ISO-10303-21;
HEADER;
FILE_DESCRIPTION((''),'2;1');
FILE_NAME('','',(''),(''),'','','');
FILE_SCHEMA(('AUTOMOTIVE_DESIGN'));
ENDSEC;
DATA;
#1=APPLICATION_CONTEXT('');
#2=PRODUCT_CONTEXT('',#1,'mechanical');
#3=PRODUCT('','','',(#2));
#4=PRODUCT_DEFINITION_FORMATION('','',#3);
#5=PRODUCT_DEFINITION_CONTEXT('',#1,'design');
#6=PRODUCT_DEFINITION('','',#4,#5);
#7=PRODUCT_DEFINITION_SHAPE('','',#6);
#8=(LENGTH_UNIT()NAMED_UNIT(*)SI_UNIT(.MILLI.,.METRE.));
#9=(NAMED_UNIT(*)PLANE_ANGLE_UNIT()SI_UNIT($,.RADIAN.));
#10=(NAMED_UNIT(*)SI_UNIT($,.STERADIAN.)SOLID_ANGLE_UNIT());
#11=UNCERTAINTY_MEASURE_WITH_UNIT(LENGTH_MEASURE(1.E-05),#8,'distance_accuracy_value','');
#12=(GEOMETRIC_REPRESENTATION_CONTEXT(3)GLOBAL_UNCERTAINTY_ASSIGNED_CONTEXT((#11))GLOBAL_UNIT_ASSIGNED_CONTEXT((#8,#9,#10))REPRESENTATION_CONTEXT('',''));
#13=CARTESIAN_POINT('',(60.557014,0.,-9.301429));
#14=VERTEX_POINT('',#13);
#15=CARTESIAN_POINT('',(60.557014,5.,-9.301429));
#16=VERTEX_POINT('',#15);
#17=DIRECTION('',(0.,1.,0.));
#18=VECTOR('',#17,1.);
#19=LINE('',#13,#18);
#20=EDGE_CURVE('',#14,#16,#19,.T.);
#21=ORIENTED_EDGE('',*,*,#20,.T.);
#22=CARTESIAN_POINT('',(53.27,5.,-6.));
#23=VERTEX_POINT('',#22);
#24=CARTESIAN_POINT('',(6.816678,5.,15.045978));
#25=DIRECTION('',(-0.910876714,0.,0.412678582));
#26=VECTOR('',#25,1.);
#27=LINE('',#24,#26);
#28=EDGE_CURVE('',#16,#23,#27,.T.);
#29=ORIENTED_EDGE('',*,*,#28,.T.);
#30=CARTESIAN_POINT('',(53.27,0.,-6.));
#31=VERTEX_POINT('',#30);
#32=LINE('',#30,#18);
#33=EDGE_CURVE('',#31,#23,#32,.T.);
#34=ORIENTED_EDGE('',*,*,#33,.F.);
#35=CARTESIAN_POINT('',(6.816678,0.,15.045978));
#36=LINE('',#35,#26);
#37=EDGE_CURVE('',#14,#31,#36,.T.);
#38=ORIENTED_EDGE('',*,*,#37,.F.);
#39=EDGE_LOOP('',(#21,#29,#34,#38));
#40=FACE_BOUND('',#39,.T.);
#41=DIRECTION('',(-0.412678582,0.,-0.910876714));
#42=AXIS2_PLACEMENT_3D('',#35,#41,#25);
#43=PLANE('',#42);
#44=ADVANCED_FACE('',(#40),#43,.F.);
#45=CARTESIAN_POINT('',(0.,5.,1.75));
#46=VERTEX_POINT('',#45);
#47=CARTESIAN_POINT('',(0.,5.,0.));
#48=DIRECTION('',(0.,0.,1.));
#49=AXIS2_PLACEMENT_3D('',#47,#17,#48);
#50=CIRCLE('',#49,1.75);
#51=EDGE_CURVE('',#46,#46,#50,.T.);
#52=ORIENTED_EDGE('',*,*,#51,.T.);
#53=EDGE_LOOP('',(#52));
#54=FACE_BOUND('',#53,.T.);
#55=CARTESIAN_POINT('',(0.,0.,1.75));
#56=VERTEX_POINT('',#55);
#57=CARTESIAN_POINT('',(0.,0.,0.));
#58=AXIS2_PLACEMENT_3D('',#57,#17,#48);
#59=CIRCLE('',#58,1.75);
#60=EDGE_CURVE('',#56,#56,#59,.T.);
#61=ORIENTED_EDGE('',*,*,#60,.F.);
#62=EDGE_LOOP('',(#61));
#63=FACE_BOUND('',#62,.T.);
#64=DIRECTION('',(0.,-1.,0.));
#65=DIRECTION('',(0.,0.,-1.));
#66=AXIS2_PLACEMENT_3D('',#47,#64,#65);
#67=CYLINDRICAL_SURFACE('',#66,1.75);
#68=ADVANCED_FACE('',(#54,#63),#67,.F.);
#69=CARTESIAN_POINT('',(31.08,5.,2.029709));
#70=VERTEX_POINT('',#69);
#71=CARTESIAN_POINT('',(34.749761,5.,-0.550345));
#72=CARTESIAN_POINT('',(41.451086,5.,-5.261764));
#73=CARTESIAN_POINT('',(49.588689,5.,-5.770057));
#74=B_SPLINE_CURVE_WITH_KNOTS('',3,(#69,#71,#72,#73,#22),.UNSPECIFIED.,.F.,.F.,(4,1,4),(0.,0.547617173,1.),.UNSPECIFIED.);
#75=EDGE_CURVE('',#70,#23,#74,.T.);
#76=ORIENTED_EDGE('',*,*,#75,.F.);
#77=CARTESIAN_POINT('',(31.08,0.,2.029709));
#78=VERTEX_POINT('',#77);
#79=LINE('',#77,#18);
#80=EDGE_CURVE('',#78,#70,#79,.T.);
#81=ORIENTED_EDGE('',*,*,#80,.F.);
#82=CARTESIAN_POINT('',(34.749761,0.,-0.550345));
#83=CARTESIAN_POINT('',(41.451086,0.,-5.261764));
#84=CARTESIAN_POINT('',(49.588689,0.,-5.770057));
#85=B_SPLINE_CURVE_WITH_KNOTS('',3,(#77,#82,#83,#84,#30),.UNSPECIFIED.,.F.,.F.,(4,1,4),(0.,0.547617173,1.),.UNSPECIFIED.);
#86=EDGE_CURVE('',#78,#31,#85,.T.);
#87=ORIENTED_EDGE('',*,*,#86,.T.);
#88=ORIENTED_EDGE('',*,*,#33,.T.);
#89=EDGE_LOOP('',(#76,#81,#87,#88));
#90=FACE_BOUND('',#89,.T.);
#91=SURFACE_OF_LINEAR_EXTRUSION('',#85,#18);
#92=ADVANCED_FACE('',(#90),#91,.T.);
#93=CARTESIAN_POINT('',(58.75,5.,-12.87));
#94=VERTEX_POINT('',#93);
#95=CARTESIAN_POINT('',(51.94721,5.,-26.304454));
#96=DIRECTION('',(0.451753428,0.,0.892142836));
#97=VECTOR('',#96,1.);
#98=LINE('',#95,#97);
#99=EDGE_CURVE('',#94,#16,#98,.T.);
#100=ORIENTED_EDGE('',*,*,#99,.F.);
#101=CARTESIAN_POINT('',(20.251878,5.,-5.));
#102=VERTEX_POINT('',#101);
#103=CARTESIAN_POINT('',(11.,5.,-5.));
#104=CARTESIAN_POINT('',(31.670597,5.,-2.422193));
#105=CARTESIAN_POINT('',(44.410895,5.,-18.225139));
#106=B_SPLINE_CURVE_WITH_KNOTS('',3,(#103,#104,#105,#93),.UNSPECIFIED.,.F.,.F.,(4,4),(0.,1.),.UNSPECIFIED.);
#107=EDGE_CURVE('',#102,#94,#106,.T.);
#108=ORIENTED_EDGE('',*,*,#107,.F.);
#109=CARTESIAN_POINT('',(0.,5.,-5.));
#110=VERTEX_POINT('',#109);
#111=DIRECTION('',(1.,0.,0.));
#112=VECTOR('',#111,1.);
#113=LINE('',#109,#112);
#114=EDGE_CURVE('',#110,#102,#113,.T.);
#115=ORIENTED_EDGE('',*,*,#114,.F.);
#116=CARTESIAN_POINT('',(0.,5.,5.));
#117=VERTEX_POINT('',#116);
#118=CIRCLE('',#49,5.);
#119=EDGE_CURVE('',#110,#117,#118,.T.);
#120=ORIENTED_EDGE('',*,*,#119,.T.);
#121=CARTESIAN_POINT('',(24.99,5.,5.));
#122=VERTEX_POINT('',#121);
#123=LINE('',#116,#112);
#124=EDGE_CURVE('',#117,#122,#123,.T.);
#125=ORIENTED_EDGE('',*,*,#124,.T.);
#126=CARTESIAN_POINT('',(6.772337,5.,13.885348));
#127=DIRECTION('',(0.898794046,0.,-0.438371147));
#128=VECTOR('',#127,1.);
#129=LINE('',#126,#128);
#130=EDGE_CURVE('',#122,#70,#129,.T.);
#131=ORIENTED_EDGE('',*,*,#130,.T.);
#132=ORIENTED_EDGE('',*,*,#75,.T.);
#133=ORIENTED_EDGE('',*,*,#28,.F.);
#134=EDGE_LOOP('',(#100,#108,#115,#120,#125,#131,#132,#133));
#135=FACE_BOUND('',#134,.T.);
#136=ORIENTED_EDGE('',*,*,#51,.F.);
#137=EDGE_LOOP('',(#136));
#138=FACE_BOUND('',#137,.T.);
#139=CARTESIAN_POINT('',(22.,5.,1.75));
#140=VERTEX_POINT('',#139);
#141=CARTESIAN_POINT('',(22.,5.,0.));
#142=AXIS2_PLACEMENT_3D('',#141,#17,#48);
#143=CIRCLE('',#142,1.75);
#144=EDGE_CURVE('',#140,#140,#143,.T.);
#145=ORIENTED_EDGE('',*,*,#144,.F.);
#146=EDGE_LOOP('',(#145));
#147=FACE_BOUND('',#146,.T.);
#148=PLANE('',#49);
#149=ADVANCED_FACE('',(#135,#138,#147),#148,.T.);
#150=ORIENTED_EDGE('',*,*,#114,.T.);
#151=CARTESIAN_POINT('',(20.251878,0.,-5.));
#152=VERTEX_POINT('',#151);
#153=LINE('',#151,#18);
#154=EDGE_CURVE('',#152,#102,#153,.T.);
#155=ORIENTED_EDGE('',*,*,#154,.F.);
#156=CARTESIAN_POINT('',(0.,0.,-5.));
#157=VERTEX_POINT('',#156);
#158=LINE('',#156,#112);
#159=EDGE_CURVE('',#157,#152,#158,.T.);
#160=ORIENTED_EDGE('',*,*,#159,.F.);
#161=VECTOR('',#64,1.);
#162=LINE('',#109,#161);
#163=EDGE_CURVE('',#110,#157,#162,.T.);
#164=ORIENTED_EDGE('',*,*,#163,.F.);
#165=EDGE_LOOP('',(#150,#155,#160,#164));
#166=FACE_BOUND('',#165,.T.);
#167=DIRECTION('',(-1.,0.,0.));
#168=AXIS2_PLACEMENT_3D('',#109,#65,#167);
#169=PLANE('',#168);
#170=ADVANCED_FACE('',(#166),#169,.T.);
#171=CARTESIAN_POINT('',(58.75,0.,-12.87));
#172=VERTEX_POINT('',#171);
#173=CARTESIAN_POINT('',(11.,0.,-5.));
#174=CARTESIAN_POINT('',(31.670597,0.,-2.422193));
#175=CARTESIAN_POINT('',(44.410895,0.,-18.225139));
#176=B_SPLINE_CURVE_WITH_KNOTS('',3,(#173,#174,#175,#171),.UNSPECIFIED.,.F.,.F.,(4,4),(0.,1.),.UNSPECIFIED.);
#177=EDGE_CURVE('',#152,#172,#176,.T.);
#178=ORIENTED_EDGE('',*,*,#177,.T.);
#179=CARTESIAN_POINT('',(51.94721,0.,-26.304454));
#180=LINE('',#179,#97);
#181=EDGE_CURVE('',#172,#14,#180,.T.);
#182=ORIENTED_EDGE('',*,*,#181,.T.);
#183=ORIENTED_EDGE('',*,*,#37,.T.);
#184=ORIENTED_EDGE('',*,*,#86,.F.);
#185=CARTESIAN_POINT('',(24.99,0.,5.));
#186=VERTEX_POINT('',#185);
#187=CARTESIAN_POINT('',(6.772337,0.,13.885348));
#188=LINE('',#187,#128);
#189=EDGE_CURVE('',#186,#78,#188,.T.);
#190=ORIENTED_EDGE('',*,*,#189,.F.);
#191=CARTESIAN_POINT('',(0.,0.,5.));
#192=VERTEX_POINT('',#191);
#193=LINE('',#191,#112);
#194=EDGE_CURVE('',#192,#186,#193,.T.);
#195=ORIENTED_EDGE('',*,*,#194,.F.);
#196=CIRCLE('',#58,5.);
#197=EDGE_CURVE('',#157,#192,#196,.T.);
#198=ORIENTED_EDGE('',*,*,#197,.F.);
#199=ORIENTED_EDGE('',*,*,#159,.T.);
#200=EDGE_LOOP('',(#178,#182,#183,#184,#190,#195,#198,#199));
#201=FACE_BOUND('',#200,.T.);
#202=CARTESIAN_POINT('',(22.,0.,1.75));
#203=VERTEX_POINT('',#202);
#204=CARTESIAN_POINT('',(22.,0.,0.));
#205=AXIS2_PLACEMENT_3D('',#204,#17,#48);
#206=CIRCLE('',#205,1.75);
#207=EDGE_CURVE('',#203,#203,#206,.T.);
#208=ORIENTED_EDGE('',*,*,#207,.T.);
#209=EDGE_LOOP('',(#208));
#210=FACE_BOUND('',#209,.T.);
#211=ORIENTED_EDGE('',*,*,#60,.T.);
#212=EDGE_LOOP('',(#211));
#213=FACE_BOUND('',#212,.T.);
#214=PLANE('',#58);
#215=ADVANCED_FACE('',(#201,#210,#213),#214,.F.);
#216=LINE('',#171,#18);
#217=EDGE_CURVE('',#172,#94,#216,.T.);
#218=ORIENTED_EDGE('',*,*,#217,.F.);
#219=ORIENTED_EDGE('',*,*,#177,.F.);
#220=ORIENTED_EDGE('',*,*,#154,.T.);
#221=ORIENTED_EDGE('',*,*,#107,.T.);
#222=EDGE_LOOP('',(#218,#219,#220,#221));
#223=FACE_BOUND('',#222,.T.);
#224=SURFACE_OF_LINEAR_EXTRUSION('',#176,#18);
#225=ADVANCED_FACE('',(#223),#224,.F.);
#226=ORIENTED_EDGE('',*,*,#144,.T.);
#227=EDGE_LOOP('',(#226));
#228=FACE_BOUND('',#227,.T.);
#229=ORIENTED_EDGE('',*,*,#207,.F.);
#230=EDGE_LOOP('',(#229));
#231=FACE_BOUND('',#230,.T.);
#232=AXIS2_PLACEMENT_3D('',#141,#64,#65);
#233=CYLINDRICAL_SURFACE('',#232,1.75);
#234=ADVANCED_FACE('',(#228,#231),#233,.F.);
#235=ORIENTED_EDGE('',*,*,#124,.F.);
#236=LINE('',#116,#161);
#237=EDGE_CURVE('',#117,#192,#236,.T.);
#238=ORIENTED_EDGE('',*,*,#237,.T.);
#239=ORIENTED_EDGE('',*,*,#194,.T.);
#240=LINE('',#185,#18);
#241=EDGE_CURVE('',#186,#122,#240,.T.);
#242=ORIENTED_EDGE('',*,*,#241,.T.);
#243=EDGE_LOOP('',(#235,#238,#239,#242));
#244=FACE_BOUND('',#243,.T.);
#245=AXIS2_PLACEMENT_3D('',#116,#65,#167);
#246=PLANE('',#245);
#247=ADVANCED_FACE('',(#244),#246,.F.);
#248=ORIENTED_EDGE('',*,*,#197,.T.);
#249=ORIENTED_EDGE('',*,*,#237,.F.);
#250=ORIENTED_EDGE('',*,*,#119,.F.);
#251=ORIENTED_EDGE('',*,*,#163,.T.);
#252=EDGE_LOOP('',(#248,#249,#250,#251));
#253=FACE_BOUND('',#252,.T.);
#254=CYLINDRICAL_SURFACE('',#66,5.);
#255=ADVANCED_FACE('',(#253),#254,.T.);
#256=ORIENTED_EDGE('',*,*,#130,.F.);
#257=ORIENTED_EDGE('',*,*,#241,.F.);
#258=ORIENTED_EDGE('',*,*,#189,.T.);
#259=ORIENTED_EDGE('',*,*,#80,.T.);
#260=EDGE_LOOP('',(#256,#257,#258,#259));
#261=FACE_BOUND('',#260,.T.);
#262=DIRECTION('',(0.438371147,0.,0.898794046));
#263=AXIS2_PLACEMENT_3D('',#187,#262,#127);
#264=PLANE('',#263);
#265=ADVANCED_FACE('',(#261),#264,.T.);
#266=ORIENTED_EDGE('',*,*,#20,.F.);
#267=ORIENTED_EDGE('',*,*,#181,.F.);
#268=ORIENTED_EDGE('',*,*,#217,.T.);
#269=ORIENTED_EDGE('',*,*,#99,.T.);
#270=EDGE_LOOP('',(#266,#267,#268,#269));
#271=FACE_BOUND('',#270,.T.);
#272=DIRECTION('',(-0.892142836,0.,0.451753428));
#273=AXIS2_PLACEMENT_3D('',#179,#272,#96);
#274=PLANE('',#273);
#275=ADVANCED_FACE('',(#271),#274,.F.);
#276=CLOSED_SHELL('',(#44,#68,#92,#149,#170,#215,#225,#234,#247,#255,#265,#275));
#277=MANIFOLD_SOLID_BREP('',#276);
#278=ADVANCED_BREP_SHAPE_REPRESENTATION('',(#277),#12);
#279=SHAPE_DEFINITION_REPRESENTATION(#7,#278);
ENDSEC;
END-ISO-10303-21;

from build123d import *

# Parameters (mm, degrees)
SKETCH1_R           = 5
SKETCH1_R_2         = 1.75
BOSS_EXTRUDE1_DEPTH = 5
BOSS_EXTRUDE2_START = -5
BOSS_EXTRUDE2_DEPTH = 5


with BuildPart() as part:
    # Sketch1 → Boss-Extrude1 (new body)
    # profile 1 of 3: a face of its own
    with BuildSketch(Plane(origin=(0, 0, 0), x_dir=(1, 0, 0), z_dir=(0, 1, 0))):
        Circle(SKETCH1_R)
        with Locations(Location((0, 0, 0), (0, 0, 270))):
            Circle(SKETCH1_R_2, mode=Mode.SUBTRACT)
    # profile 2 of 3: a face of its own
    with BuildSketch(Plane(origin=(0, 0, 0), x_dir=(1, 0, 0), z_dir=(0, 1, 0))):
        with BuildLine():
            Line((22, 5), (7e-09, 5))
            ThreePointArc((7e-09, 5), (3.535533908, 3.535533903), (5, 0))
            ThreePointArc((5, 0), (3.535533907, -3.535533905), (3e-09, -5))
            Line((3e-09, -5), (22, -5))
            ThreePointArc((22, -5), (17, 0), (22, 5))
        make_face()
    # profile 3 of 3: a face of its own
    with BuildSketch(Plane(origin=(0, 0, 0), x_dir=(1, 0, 0), z_dir=(0, 1, 0))):
        with Locations((22, 0)):
            Circle(SKETCH1_R)
        with Locations(Location((22, 0, 0), (0, 0, 270))):
            Circle(SKETCH1_R_2, mode=Mode.SUBTRACT)
    extrude(amount=BOSS_EXTRUDE1_DEPTH)

    # Sketch2 → Boss-Extrude2 (add)
    with BuildSketch(Plane(origin=(0, 5, 0), x_dir=(1, 0, 0), z_dir=(0, 1, 0)).offset(BOSS_EXTRUDE2_START)):
        with BuildLine():
            ThreePointArc((22, 5), (27, 0), (22, -5))
            Line((22, -5), (24.99, -5))
            Line((24.99, -5), (31.08, -2.029708536))
            add(Edge.make_bspline(
                [(31.08, -2.029708536), (34.749760943, 0.550345092), (41.451086478, 5.261763501), (49.588688562, 5.770056828), (53.27, 6)],
                knots=[0, 0, 0, 0, 0.547617173, 1, 1, 1, 1], degree=3))
            Line((53.27, 6), (60.557013712, 9.301428655))
            Line((60.557013712, 9.301428655), (58.75, 12.87))
            add(Edge.make_bspline(
                [(20.251877892, 5), (35.741313443, 6.892403077), (46.679161054, 17.378023899), (58.75, 12.87)],
                knots=[0.158187399, 0.158187399, 0.158187399, 0.158187399, 1, 1, 1, 1], degree=3))
            Line((20.251877892, 5), (22, 5))
        make_face()
    extrude(amount=BOSS_EXTRUDE2_DEPTH)


solid = part.part
